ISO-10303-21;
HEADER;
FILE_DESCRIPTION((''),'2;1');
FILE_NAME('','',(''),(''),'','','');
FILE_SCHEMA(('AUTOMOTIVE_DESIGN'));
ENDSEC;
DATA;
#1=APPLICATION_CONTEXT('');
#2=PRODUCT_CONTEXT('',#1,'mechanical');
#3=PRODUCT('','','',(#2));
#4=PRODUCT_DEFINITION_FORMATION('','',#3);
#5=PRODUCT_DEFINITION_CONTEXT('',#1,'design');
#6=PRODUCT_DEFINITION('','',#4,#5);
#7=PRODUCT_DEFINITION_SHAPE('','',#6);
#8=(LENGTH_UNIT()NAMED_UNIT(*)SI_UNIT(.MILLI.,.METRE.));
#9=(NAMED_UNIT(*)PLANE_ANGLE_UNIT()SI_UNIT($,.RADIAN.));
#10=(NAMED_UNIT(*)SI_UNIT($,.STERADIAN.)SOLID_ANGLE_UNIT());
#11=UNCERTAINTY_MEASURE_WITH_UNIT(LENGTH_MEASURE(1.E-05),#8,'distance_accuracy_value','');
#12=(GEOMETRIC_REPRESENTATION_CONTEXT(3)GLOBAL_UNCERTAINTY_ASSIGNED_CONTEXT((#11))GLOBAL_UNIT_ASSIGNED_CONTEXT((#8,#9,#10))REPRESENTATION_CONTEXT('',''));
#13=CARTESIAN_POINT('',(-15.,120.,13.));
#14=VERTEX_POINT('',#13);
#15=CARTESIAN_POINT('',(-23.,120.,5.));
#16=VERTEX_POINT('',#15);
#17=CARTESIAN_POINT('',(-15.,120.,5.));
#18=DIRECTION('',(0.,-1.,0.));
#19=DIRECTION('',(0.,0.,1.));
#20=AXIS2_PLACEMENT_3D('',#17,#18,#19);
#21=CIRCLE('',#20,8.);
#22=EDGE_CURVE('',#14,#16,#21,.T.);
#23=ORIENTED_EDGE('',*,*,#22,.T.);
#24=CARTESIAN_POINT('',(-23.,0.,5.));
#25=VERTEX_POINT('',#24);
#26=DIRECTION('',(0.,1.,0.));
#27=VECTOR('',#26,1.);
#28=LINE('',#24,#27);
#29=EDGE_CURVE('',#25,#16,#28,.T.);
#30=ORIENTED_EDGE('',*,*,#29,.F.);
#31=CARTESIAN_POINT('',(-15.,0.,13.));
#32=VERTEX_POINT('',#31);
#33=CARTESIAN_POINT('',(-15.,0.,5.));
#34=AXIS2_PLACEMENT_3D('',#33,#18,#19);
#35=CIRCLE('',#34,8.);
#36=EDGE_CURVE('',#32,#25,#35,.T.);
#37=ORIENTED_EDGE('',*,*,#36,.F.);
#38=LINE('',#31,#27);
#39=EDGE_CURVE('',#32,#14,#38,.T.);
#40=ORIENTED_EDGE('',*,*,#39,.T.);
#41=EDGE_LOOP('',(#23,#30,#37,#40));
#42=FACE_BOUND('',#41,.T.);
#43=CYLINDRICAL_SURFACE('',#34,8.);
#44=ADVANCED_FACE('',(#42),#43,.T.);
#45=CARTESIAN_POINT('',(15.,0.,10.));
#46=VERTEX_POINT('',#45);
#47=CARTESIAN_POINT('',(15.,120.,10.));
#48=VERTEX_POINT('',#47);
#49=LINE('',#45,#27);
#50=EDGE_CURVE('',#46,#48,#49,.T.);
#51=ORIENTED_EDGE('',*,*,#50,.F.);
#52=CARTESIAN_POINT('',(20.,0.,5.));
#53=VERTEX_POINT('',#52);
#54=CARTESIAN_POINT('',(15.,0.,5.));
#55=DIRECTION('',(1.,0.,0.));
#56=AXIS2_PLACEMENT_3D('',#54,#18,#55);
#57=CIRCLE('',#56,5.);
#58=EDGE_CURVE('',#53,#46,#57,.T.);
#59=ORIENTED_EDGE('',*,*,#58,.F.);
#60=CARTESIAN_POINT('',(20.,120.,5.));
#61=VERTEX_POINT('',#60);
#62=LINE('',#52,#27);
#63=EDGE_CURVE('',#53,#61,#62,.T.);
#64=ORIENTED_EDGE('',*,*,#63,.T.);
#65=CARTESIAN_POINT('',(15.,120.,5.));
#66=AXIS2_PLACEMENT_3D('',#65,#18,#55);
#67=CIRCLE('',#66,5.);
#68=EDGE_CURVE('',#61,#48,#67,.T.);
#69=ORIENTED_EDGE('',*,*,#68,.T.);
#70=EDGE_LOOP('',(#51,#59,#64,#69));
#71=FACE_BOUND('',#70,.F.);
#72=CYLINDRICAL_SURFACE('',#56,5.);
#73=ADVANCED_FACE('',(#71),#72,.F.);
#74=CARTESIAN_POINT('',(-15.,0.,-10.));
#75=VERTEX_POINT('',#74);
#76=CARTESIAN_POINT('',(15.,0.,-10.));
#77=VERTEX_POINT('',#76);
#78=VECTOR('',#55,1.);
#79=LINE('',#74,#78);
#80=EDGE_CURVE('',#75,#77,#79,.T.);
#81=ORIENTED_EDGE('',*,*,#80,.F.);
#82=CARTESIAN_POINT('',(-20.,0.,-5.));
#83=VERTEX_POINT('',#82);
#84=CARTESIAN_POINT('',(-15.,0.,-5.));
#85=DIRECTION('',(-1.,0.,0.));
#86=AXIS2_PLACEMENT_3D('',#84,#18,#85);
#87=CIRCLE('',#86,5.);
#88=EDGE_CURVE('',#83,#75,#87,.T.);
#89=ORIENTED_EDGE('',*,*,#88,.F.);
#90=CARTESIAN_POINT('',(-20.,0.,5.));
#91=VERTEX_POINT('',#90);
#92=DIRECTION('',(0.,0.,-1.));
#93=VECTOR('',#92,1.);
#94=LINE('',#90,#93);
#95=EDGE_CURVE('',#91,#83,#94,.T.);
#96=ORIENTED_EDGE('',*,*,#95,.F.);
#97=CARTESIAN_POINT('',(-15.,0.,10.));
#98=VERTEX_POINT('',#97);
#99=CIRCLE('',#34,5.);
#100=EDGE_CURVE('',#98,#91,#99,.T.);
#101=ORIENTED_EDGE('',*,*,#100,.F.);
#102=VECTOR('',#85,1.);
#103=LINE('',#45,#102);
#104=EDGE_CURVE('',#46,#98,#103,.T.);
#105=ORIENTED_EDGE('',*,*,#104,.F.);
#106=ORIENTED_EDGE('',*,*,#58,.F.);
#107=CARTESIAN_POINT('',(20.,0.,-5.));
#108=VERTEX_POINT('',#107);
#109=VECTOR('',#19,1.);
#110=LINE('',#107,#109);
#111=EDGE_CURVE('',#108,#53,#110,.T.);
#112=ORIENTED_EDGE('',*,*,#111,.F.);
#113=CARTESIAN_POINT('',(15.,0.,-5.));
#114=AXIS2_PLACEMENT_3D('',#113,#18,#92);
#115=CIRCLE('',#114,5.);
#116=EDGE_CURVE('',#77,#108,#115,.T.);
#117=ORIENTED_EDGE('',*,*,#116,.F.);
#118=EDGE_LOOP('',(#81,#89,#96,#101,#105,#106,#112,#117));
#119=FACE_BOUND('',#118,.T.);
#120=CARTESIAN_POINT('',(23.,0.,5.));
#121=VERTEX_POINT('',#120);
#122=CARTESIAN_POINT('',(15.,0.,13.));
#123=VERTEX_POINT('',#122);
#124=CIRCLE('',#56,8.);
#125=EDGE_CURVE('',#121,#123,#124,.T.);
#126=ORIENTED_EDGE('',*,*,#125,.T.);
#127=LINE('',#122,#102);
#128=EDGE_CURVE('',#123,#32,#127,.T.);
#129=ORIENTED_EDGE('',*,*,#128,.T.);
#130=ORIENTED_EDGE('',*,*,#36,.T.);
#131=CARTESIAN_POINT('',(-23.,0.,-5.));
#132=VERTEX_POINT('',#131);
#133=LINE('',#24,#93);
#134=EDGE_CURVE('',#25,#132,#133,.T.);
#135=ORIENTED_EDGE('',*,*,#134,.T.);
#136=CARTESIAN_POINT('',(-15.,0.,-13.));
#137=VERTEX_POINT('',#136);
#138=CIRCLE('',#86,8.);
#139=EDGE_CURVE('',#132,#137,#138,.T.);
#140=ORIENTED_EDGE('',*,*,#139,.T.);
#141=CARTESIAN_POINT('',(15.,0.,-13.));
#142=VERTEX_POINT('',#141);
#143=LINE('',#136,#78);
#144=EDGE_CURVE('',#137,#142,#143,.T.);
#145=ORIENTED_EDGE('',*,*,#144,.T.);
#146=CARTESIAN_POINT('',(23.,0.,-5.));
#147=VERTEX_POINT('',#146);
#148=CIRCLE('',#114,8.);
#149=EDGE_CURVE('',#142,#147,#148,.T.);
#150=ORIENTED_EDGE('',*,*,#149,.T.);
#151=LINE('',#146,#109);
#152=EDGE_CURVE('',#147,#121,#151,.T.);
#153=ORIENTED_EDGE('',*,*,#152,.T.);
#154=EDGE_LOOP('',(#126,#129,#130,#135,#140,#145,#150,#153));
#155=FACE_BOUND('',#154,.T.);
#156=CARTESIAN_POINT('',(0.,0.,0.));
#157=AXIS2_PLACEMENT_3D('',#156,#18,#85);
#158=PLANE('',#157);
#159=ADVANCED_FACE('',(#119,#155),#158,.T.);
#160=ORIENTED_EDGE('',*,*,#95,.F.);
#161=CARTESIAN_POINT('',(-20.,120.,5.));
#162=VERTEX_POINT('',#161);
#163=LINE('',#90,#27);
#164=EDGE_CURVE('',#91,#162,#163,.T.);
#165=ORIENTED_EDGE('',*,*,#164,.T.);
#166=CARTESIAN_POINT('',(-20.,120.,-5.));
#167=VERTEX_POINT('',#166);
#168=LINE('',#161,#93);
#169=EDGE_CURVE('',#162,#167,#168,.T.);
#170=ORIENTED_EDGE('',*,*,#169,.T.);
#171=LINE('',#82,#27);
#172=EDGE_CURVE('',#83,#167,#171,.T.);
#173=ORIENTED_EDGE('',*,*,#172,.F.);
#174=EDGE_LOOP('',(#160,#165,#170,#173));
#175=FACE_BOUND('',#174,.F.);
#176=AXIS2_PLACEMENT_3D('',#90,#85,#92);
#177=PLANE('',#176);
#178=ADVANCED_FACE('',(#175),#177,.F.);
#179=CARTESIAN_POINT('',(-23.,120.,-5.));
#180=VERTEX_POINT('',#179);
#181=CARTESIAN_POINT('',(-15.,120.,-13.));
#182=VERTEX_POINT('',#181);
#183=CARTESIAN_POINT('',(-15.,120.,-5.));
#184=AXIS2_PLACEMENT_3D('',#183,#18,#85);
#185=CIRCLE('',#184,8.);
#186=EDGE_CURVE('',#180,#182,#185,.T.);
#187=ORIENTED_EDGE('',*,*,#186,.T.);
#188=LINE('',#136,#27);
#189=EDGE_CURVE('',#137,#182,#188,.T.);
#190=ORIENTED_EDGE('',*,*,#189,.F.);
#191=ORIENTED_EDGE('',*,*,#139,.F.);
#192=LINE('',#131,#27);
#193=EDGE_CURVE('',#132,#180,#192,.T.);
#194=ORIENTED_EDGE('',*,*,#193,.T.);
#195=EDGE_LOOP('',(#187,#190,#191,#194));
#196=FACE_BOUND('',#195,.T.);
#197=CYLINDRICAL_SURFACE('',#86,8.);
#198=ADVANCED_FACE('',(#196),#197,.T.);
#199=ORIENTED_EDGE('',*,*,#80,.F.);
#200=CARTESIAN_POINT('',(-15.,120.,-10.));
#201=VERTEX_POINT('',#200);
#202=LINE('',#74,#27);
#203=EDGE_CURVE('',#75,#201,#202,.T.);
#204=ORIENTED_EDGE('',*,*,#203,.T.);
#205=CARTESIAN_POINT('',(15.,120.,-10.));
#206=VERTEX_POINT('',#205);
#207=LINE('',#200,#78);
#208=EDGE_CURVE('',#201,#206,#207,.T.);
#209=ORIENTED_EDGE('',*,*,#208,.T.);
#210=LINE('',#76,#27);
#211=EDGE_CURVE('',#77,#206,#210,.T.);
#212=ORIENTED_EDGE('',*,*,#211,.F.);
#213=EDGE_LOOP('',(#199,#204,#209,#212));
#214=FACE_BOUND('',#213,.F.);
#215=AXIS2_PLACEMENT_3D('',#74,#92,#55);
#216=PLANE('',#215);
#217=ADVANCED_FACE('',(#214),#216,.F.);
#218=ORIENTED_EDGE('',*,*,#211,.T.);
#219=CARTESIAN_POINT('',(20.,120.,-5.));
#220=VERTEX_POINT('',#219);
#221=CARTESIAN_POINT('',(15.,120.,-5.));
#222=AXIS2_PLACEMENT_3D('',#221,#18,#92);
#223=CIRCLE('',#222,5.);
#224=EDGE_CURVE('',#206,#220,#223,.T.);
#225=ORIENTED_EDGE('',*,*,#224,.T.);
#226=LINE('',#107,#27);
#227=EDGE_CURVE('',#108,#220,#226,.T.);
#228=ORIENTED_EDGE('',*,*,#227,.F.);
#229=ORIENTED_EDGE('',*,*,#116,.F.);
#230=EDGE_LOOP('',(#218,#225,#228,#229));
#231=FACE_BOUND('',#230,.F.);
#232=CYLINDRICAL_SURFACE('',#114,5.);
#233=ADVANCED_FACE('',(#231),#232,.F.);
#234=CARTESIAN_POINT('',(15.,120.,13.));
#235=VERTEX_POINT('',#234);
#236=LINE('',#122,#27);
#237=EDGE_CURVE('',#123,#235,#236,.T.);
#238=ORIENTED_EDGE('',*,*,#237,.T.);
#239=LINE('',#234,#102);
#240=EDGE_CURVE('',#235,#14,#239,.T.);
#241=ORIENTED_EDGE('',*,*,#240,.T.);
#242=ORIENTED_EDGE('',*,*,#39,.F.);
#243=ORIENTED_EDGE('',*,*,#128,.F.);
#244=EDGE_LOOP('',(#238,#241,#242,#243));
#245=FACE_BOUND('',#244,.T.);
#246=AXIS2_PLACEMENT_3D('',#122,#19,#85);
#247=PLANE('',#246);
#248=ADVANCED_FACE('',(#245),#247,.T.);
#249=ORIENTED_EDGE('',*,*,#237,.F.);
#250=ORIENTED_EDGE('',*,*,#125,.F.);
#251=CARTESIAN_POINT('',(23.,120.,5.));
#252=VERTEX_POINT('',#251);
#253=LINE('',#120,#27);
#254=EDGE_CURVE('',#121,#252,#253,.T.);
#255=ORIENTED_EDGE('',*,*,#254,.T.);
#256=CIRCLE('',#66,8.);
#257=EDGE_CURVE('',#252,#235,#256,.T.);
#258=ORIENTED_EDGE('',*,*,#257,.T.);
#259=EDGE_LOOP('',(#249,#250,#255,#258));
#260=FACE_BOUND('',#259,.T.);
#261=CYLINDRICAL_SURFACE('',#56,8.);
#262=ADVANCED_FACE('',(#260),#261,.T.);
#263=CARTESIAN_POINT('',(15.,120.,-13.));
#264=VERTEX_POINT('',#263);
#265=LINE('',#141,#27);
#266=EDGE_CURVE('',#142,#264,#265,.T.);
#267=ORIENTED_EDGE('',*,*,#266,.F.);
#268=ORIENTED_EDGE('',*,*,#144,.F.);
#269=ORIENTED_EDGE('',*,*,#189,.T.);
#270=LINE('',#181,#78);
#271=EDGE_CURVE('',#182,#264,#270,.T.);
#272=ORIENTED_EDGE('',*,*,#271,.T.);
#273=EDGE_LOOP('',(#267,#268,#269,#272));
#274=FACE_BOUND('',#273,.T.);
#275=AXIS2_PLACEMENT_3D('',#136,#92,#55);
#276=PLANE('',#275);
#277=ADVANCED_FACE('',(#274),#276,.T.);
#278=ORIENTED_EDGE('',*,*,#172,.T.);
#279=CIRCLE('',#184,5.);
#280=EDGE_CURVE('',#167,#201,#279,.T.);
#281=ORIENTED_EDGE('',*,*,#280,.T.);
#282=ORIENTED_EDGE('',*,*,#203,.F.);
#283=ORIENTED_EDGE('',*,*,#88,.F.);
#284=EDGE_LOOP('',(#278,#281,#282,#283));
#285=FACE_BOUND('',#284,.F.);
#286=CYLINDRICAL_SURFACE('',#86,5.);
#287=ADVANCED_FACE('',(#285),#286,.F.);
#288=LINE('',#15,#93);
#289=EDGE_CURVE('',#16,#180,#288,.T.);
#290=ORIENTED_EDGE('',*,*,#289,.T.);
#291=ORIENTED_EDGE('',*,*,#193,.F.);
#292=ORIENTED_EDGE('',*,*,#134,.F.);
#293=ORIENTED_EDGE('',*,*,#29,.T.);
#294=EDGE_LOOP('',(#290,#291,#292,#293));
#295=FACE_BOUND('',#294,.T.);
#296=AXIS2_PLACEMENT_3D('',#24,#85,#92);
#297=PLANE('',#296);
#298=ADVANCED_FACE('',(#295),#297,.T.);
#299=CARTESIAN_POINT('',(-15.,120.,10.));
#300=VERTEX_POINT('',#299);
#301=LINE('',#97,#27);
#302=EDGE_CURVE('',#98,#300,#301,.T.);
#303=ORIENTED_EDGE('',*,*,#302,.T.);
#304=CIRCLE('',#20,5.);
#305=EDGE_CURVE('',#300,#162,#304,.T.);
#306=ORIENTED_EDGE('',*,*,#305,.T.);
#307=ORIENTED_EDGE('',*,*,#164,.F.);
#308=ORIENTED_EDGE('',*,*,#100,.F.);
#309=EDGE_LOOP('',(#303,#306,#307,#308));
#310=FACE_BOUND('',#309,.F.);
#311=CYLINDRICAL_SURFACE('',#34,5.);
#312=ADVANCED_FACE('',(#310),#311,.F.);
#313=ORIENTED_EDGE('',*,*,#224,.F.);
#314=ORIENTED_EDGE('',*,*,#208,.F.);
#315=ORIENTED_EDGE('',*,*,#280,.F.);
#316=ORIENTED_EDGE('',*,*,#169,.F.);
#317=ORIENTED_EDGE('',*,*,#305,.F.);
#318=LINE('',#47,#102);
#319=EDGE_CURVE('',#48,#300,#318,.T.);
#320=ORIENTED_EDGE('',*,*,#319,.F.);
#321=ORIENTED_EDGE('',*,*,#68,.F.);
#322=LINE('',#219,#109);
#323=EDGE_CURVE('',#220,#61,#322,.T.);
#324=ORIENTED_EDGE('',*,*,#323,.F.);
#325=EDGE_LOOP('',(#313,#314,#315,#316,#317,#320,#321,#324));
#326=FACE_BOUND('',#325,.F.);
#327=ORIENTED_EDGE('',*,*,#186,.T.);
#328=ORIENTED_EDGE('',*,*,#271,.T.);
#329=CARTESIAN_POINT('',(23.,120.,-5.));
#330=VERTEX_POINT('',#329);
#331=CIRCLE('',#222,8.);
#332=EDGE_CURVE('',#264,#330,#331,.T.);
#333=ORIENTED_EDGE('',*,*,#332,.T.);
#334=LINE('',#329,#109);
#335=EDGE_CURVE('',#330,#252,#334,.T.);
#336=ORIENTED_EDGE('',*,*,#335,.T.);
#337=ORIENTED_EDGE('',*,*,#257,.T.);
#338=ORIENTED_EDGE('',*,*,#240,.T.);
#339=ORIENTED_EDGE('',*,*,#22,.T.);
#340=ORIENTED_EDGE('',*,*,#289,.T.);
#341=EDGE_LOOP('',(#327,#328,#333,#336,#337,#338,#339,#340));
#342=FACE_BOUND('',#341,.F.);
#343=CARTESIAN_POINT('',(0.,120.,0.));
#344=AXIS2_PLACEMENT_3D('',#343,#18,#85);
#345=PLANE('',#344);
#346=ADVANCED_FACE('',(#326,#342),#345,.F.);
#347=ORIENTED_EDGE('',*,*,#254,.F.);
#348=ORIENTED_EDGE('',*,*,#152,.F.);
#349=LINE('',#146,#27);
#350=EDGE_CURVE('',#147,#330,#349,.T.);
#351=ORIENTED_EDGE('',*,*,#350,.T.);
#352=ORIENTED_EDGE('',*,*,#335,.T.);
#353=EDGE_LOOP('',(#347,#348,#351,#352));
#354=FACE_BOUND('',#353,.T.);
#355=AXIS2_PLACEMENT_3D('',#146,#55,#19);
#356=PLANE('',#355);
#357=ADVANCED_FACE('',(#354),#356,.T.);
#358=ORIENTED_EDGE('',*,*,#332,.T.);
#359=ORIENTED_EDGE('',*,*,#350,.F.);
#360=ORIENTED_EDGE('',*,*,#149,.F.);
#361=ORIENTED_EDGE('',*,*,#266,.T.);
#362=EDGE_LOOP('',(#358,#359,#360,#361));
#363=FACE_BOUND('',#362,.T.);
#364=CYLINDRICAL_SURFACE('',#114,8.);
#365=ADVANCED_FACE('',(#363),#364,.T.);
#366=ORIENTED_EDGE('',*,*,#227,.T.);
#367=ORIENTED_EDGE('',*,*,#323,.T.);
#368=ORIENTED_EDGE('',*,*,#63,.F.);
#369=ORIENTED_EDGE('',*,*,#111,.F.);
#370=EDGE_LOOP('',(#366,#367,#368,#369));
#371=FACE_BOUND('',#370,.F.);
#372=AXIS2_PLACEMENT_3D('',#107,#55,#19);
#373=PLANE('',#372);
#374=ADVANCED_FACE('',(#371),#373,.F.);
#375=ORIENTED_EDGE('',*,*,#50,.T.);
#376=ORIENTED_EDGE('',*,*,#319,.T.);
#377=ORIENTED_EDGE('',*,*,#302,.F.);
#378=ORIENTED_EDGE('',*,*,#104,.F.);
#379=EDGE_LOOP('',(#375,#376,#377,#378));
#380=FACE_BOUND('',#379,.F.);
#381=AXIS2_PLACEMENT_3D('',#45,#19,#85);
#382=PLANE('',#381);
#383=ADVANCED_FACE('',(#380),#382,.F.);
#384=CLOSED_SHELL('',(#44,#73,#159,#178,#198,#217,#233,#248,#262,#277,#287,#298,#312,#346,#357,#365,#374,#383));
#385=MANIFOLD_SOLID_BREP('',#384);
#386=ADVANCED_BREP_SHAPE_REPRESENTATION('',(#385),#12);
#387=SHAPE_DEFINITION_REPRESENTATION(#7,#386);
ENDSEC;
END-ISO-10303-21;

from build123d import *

# Parameters (mm, degrees)
EXTRUDE_THIN1_DEPTH = 120


with BuildPart() as part:
    # Sketch1 → Extrude-Thin1 (new body)
    with BuildSketch(Plane(origin=(0, 0, 0), x_dir=(1, 0, 0), z_dir=(0, 1, 0))):
        with BuildLine():
            Line((23, 5), (23, -5))
            ThreePointArc((23, -5), (20.656854249, -10.656854249), (15, -13))
            Line((15, -13), (-15, -13))
            ThreePointArc((-15, -13), (-20.656854249, -10.656854249), (-23, -5))
            Line((-23, -5), (-23, 5))
            ThreePointArc((-23, 5), (-20.656854249, 10.656854249), (-15, 13))
            Line((-15, 13), (15, 13))
            ThreePointArc((15, 13), (20.656854249, 10.656854249), (23, 5))
        make_face()
        with BuildLine():
            Line((20, 5), (20, -5))
            ThreePointArc((20, -5), (18.535533906, -8.535533906), (15, -10))
            Line((15, -10), (-15, -10))
            ThreePointArc((-15, -10), (-18.535533906, -8.535533906), (-20, -5))
            Line((-20, -5), (-20, 5))
            ThreePointArc((-20, 5), (-18.535533906, 8.535533906), (-15, 10))
            Line((-15, 10), (15, 10))
            ThreePointArc((15, 10), (18.535533906, 8.535533906), (20, 5))
        make_face(mode=Mode.SUBTRACT)
    extrude(amount=EXTRUDE_THIN1_DEPTH)


solid = part.part
